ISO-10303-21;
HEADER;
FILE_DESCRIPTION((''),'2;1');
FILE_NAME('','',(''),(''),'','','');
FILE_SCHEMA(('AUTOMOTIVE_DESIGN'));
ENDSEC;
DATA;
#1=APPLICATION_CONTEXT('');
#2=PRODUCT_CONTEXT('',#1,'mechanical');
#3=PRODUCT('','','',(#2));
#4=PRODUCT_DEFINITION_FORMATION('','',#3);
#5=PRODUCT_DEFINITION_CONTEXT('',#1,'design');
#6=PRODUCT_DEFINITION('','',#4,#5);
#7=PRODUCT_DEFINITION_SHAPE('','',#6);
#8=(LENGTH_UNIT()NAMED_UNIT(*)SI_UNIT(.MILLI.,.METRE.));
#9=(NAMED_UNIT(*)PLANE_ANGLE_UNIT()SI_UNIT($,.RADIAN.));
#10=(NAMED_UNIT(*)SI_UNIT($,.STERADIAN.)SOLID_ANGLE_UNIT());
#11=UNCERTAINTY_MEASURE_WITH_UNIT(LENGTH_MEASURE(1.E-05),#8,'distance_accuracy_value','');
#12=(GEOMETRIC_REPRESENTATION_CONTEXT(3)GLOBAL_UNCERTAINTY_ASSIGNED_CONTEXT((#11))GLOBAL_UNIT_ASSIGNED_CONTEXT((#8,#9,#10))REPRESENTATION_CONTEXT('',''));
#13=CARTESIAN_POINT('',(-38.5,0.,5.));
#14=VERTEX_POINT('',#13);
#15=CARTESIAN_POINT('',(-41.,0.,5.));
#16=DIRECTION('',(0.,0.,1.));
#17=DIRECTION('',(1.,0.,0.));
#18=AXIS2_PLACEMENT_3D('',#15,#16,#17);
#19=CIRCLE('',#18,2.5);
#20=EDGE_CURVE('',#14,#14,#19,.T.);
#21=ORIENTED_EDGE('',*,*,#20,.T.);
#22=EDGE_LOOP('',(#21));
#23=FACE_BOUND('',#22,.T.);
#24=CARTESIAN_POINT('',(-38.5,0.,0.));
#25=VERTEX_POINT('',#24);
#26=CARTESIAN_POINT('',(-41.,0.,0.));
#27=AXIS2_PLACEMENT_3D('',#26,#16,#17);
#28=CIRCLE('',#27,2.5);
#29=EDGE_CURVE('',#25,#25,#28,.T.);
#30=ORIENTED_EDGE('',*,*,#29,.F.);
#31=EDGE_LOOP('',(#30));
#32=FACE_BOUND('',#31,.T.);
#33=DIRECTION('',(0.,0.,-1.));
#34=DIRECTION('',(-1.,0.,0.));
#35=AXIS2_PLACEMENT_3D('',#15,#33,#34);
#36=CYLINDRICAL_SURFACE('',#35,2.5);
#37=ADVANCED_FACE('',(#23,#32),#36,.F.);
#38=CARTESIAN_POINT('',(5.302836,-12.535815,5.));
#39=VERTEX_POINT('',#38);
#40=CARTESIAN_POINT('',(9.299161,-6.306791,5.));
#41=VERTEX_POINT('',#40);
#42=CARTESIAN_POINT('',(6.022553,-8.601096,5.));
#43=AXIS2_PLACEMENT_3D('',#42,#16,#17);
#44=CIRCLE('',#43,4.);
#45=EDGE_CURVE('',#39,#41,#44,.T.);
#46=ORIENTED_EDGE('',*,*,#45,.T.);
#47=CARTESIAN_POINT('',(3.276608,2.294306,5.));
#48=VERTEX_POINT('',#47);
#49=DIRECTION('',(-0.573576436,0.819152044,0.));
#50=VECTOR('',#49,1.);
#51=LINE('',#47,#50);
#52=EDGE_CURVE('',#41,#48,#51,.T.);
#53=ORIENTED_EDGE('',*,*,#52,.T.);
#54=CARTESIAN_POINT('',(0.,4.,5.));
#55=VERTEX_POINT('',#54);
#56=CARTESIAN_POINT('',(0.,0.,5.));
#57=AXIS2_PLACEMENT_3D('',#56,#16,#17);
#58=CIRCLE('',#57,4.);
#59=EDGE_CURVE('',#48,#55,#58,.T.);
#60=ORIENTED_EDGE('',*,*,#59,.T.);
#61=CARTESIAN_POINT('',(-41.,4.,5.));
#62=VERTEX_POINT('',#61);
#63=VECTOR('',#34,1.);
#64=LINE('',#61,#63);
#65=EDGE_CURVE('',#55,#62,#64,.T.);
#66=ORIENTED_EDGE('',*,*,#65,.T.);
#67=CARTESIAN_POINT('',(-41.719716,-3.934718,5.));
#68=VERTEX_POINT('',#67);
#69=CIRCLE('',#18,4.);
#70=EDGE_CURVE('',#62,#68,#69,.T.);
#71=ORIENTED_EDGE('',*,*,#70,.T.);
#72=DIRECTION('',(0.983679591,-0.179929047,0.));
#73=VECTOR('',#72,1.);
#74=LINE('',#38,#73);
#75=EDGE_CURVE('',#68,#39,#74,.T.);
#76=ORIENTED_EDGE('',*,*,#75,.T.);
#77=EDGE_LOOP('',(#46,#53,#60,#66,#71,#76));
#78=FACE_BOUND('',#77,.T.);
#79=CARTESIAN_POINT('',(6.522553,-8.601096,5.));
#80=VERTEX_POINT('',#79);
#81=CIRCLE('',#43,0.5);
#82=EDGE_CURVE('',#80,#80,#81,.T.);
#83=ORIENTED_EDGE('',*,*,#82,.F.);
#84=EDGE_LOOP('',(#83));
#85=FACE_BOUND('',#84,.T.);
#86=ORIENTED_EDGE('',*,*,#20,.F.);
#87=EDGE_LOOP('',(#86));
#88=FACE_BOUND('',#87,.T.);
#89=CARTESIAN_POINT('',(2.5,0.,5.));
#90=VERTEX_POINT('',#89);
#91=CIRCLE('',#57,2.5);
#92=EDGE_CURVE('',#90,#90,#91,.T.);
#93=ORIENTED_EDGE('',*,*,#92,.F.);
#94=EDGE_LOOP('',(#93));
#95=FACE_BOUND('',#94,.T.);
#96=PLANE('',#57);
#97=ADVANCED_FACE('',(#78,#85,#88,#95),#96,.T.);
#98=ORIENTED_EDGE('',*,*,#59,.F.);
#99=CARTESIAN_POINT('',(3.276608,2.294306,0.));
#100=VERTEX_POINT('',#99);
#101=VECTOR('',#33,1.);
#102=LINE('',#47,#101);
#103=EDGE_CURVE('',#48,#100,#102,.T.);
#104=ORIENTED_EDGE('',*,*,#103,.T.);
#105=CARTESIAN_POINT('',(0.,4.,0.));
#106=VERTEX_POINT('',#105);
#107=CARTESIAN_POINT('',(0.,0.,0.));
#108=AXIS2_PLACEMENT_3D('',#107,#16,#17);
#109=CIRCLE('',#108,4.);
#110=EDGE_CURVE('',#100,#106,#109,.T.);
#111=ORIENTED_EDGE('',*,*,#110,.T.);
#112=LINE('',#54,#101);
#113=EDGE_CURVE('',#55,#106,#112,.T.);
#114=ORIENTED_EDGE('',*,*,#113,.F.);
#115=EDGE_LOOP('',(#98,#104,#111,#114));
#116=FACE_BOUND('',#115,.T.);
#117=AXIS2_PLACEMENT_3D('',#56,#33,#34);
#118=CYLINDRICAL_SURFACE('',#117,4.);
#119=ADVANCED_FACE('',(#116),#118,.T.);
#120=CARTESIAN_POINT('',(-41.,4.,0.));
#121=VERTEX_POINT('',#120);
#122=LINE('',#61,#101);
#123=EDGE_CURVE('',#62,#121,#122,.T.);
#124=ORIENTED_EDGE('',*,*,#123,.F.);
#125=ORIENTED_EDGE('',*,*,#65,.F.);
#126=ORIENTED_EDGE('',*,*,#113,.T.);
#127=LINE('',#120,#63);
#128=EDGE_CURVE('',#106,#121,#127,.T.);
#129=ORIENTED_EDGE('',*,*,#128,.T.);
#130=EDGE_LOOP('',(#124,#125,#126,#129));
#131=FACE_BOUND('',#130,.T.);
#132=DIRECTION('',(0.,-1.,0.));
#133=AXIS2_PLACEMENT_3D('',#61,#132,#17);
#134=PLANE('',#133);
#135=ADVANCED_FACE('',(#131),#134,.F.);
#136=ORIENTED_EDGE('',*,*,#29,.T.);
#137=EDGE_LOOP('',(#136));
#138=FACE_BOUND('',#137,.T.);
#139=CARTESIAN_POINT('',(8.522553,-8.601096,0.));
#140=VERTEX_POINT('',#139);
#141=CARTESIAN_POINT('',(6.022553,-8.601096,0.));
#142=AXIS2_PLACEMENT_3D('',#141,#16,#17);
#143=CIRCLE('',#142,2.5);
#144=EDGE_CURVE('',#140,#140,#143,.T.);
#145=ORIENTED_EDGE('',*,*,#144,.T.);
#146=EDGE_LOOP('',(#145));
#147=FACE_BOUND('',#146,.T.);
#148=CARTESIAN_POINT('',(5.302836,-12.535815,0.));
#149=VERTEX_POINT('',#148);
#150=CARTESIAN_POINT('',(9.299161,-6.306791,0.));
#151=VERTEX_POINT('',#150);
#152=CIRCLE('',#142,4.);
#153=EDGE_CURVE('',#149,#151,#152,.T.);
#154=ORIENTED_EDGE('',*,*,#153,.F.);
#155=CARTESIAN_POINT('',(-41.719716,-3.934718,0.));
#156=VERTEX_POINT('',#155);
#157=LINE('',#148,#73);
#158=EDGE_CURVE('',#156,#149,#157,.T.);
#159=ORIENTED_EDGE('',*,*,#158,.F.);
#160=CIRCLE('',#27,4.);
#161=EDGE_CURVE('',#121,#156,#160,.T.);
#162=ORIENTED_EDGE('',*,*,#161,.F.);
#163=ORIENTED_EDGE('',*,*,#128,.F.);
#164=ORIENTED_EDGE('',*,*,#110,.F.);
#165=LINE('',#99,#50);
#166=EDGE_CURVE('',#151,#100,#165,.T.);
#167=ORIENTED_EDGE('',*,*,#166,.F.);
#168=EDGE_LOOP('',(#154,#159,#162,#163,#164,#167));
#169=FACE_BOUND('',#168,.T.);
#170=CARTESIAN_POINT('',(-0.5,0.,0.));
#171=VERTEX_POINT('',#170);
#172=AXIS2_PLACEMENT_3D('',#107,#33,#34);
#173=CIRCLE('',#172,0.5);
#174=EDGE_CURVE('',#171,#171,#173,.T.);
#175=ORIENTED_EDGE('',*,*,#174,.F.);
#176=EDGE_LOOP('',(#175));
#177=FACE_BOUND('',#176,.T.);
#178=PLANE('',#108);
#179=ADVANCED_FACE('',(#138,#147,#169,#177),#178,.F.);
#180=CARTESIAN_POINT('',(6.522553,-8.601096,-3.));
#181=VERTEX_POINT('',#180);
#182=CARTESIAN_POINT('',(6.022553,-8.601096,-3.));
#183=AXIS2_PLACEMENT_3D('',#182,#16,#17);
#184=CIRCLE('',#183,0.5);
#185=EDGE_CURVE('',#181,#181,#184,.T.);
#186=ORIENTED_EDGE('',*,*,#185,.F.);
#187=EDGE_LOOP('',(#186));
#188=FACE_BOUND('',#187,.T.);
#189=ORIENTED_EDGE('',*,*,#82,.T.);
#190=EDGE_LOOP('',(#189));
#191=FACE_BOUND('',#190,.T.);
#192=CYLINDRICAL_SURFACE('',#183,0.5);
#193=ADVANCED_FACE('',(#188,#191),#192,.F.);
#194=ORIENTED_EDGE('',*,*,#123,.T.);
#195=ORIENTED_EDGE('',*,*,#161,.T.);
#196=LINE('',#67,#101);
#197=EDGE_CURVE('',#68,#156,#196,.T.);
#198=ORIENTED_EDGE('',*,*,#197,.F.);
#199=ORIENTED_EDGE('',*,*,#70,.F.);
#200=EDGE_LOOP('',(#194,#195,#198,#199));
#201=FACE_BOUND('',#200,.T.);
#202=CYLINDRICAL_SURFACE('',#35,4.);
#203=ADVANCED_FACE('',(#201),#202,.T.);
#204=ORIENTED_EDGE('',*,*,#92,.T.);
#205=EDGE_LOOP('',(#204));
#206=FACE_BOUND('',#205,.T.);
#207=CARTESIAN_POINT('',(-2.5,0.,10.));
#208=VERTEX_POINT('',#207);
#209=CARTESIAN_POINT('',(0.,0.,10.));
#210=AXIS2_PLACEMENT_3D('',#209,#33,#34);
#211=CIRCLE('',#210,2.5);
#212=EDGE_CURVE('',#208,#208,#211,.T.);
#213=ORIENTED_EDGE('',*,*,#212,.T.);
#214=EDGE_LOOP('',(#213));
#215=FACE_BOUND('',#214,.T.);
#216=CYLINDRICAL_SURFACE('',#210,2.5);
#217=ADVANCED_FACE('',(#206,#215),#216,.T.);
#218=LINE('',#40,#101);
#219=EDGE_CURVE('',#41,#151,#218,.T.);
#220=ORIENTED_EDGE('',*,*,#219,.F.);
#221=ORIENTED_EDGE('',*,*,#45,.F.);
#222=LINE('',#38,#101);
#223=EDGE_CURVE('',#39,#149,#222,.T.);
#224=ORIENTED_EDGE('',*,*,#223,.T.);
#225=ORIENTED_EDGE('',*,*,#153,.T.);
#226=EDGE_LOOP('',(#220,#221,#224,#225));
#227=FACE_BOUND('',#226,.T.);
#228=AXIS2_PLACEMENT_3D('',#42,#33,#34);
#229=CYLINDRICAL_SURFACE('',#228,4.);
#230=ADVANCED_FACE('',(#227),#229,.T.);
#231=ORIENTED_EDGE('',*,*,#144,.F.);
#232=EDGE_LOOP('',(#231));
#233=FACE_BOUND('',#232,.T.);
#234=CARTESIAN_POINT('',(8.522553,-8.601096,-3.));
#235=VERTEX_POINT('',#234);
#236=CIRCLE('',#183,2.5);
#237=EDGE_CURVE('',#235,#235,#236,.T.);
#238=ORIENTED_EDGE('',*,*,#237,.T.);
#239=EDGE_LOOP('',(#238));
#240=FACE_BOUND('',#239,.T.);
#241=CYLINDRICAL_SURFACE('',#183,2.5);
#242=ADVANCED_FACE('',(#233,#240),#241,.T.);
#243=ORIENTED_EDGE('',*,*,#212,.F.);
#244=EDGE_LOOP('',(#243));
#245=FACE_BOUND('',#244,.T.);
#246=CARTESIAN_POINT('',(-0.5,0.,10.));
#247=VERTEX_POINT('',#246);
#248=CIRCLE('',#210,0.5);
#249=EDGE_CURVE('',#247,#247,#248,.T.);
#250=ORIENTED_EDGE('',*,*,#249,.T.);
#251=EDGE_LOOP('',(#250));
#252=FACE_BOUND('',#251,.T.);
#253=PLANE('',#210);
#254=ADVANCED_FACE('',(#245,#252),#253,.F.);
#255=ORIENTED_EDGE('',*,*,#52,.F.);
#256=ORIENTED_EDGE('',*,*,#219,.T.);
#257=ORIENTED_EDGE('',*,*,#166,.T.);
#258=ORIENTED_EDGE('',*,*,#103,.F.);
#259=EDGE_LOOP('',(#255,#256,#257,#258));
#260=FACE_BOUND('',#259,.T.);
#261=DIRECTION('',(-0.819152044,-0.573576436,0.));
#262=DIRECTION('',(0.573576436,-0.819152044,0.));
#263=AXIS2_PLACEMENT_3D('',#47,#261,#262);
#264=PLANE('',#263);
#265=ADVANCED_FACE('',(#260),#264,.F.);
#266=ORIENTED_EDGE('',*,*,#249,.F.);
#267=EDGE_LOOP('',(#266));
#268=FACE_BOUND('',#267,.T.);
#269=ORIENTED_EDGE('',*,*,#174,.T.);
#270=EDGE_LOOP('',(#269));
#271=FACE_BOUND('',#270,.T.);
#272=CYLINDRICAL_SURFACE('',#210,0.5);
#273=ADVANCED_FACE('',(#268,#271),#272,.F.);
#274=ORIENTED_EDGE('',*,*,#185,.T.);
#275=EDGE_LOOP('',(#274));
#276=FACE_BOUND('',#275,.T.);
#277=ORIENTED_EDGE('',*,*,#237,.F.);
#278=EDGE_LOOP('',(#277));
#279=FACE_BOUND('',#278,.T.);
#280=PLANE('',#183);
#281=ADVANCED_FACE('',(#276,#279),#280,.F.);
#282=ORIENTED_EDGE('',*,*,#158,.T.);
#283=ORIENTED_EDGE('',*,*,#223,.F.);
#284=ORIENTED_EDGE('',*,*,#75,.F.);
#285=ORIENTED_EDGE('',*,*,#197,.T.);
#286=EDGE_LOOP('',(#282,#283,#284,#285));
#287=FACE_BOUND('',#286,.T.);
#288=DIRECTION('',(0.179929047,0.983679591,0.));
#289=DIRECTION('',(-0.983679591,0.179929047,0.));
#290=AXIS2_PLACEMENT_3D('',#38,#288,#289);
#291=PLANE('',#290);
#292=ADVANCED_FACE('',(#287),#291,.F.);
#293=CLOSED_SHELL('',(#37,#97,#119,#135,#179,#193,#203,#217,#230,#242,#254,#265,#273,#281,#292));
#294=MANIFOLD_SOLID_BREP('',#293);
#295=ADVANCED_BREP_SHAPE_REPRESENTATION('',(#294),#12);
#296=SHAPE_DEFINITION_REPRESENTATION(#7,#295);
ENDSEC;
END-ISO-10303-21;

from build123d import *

# Parameters (mm, degrees)
SKETCH2_R           = 2.5
BOSS_EXTRUDE1_DEPTH = 5
BOSS_EXTRUDE2_START = -8
SKETCH3_R           = 2.5
SKETCH3_R_2         = 0.5
BOSS_EXTRUDE2_DEPTH = 8
SKETCH4_R           = 2.5
SKETCH4_R_2         = 0.5
BOSS_EXTRUDE3_DEPTH = 10


with BuildPart() as part:
    # Sketch2 → Boss-Extrude1 (new body)
    with BuildSketch(Plane.XY):
        with BuildLine():
            Line((-41, 4), (0, 4))
            ThreePointArc((0, 4), (1.846994453, 3.548043333), (3.276608177, 2.294305745))
            Line((3.276608177, 2.294305745), (9.299160759, -6.30679072))
            ThreePointArc((9.299160759, -6.30679072), (9.389243762, -10.761047968), (5.302836395, -12.53581483))
            Line((5.302836395, -12.53581483), (-41.719716186, -3.934718365))
            ThreePointArc((-41.719716186, -3.934718365), (-44.98364616, 0.361335399), (-41, 4))
        make_face()
        with Locations((-41, 0)):
            Circle(SKETCH2_R, mode=Mode.SUBTRACT)
        Circle(SKETCH2_R, mode=Mode.SUBTRACT)
        with Locations((6.022552582, -8.601096465)):
            Circle(SKETCH2_R, mode=Mode.SUBTRACT)
    extrude(amount=BOSS_EXTRUDE1_DEPTH)

    # Sketch3 → Boss-Extrude2 (add)
    with BuildSketch(Plane.XY.offset(5).offset(BOSS_EXTRUDE2_START)):
        with Locations((6.022552582, -8.601096465)):
            Circle(SKETCH3_R)
        with Locations((6.022552582, -8.601096465)):
            Circle(SKETCH3_R_2, mode=Mode.SUBTRACT)
    extrude(amount=BOSS_EXTRUDE2_DEPTH)

    # Sketch4 → Boss-Extrude3 (add)
    with BuildSketch(Plane(origin=(0, 0, 0), x_dir=(-1, 0, 0), z_dir=(0, 0, -1))):
        Circle(SKETCH4_R)
        Circle(SKETCH4_R_2, mode=Mode.SUBTRACT)
    extrude(amount=-BOSS_EXTRUDE3_DEPTH)


solid = part.part
